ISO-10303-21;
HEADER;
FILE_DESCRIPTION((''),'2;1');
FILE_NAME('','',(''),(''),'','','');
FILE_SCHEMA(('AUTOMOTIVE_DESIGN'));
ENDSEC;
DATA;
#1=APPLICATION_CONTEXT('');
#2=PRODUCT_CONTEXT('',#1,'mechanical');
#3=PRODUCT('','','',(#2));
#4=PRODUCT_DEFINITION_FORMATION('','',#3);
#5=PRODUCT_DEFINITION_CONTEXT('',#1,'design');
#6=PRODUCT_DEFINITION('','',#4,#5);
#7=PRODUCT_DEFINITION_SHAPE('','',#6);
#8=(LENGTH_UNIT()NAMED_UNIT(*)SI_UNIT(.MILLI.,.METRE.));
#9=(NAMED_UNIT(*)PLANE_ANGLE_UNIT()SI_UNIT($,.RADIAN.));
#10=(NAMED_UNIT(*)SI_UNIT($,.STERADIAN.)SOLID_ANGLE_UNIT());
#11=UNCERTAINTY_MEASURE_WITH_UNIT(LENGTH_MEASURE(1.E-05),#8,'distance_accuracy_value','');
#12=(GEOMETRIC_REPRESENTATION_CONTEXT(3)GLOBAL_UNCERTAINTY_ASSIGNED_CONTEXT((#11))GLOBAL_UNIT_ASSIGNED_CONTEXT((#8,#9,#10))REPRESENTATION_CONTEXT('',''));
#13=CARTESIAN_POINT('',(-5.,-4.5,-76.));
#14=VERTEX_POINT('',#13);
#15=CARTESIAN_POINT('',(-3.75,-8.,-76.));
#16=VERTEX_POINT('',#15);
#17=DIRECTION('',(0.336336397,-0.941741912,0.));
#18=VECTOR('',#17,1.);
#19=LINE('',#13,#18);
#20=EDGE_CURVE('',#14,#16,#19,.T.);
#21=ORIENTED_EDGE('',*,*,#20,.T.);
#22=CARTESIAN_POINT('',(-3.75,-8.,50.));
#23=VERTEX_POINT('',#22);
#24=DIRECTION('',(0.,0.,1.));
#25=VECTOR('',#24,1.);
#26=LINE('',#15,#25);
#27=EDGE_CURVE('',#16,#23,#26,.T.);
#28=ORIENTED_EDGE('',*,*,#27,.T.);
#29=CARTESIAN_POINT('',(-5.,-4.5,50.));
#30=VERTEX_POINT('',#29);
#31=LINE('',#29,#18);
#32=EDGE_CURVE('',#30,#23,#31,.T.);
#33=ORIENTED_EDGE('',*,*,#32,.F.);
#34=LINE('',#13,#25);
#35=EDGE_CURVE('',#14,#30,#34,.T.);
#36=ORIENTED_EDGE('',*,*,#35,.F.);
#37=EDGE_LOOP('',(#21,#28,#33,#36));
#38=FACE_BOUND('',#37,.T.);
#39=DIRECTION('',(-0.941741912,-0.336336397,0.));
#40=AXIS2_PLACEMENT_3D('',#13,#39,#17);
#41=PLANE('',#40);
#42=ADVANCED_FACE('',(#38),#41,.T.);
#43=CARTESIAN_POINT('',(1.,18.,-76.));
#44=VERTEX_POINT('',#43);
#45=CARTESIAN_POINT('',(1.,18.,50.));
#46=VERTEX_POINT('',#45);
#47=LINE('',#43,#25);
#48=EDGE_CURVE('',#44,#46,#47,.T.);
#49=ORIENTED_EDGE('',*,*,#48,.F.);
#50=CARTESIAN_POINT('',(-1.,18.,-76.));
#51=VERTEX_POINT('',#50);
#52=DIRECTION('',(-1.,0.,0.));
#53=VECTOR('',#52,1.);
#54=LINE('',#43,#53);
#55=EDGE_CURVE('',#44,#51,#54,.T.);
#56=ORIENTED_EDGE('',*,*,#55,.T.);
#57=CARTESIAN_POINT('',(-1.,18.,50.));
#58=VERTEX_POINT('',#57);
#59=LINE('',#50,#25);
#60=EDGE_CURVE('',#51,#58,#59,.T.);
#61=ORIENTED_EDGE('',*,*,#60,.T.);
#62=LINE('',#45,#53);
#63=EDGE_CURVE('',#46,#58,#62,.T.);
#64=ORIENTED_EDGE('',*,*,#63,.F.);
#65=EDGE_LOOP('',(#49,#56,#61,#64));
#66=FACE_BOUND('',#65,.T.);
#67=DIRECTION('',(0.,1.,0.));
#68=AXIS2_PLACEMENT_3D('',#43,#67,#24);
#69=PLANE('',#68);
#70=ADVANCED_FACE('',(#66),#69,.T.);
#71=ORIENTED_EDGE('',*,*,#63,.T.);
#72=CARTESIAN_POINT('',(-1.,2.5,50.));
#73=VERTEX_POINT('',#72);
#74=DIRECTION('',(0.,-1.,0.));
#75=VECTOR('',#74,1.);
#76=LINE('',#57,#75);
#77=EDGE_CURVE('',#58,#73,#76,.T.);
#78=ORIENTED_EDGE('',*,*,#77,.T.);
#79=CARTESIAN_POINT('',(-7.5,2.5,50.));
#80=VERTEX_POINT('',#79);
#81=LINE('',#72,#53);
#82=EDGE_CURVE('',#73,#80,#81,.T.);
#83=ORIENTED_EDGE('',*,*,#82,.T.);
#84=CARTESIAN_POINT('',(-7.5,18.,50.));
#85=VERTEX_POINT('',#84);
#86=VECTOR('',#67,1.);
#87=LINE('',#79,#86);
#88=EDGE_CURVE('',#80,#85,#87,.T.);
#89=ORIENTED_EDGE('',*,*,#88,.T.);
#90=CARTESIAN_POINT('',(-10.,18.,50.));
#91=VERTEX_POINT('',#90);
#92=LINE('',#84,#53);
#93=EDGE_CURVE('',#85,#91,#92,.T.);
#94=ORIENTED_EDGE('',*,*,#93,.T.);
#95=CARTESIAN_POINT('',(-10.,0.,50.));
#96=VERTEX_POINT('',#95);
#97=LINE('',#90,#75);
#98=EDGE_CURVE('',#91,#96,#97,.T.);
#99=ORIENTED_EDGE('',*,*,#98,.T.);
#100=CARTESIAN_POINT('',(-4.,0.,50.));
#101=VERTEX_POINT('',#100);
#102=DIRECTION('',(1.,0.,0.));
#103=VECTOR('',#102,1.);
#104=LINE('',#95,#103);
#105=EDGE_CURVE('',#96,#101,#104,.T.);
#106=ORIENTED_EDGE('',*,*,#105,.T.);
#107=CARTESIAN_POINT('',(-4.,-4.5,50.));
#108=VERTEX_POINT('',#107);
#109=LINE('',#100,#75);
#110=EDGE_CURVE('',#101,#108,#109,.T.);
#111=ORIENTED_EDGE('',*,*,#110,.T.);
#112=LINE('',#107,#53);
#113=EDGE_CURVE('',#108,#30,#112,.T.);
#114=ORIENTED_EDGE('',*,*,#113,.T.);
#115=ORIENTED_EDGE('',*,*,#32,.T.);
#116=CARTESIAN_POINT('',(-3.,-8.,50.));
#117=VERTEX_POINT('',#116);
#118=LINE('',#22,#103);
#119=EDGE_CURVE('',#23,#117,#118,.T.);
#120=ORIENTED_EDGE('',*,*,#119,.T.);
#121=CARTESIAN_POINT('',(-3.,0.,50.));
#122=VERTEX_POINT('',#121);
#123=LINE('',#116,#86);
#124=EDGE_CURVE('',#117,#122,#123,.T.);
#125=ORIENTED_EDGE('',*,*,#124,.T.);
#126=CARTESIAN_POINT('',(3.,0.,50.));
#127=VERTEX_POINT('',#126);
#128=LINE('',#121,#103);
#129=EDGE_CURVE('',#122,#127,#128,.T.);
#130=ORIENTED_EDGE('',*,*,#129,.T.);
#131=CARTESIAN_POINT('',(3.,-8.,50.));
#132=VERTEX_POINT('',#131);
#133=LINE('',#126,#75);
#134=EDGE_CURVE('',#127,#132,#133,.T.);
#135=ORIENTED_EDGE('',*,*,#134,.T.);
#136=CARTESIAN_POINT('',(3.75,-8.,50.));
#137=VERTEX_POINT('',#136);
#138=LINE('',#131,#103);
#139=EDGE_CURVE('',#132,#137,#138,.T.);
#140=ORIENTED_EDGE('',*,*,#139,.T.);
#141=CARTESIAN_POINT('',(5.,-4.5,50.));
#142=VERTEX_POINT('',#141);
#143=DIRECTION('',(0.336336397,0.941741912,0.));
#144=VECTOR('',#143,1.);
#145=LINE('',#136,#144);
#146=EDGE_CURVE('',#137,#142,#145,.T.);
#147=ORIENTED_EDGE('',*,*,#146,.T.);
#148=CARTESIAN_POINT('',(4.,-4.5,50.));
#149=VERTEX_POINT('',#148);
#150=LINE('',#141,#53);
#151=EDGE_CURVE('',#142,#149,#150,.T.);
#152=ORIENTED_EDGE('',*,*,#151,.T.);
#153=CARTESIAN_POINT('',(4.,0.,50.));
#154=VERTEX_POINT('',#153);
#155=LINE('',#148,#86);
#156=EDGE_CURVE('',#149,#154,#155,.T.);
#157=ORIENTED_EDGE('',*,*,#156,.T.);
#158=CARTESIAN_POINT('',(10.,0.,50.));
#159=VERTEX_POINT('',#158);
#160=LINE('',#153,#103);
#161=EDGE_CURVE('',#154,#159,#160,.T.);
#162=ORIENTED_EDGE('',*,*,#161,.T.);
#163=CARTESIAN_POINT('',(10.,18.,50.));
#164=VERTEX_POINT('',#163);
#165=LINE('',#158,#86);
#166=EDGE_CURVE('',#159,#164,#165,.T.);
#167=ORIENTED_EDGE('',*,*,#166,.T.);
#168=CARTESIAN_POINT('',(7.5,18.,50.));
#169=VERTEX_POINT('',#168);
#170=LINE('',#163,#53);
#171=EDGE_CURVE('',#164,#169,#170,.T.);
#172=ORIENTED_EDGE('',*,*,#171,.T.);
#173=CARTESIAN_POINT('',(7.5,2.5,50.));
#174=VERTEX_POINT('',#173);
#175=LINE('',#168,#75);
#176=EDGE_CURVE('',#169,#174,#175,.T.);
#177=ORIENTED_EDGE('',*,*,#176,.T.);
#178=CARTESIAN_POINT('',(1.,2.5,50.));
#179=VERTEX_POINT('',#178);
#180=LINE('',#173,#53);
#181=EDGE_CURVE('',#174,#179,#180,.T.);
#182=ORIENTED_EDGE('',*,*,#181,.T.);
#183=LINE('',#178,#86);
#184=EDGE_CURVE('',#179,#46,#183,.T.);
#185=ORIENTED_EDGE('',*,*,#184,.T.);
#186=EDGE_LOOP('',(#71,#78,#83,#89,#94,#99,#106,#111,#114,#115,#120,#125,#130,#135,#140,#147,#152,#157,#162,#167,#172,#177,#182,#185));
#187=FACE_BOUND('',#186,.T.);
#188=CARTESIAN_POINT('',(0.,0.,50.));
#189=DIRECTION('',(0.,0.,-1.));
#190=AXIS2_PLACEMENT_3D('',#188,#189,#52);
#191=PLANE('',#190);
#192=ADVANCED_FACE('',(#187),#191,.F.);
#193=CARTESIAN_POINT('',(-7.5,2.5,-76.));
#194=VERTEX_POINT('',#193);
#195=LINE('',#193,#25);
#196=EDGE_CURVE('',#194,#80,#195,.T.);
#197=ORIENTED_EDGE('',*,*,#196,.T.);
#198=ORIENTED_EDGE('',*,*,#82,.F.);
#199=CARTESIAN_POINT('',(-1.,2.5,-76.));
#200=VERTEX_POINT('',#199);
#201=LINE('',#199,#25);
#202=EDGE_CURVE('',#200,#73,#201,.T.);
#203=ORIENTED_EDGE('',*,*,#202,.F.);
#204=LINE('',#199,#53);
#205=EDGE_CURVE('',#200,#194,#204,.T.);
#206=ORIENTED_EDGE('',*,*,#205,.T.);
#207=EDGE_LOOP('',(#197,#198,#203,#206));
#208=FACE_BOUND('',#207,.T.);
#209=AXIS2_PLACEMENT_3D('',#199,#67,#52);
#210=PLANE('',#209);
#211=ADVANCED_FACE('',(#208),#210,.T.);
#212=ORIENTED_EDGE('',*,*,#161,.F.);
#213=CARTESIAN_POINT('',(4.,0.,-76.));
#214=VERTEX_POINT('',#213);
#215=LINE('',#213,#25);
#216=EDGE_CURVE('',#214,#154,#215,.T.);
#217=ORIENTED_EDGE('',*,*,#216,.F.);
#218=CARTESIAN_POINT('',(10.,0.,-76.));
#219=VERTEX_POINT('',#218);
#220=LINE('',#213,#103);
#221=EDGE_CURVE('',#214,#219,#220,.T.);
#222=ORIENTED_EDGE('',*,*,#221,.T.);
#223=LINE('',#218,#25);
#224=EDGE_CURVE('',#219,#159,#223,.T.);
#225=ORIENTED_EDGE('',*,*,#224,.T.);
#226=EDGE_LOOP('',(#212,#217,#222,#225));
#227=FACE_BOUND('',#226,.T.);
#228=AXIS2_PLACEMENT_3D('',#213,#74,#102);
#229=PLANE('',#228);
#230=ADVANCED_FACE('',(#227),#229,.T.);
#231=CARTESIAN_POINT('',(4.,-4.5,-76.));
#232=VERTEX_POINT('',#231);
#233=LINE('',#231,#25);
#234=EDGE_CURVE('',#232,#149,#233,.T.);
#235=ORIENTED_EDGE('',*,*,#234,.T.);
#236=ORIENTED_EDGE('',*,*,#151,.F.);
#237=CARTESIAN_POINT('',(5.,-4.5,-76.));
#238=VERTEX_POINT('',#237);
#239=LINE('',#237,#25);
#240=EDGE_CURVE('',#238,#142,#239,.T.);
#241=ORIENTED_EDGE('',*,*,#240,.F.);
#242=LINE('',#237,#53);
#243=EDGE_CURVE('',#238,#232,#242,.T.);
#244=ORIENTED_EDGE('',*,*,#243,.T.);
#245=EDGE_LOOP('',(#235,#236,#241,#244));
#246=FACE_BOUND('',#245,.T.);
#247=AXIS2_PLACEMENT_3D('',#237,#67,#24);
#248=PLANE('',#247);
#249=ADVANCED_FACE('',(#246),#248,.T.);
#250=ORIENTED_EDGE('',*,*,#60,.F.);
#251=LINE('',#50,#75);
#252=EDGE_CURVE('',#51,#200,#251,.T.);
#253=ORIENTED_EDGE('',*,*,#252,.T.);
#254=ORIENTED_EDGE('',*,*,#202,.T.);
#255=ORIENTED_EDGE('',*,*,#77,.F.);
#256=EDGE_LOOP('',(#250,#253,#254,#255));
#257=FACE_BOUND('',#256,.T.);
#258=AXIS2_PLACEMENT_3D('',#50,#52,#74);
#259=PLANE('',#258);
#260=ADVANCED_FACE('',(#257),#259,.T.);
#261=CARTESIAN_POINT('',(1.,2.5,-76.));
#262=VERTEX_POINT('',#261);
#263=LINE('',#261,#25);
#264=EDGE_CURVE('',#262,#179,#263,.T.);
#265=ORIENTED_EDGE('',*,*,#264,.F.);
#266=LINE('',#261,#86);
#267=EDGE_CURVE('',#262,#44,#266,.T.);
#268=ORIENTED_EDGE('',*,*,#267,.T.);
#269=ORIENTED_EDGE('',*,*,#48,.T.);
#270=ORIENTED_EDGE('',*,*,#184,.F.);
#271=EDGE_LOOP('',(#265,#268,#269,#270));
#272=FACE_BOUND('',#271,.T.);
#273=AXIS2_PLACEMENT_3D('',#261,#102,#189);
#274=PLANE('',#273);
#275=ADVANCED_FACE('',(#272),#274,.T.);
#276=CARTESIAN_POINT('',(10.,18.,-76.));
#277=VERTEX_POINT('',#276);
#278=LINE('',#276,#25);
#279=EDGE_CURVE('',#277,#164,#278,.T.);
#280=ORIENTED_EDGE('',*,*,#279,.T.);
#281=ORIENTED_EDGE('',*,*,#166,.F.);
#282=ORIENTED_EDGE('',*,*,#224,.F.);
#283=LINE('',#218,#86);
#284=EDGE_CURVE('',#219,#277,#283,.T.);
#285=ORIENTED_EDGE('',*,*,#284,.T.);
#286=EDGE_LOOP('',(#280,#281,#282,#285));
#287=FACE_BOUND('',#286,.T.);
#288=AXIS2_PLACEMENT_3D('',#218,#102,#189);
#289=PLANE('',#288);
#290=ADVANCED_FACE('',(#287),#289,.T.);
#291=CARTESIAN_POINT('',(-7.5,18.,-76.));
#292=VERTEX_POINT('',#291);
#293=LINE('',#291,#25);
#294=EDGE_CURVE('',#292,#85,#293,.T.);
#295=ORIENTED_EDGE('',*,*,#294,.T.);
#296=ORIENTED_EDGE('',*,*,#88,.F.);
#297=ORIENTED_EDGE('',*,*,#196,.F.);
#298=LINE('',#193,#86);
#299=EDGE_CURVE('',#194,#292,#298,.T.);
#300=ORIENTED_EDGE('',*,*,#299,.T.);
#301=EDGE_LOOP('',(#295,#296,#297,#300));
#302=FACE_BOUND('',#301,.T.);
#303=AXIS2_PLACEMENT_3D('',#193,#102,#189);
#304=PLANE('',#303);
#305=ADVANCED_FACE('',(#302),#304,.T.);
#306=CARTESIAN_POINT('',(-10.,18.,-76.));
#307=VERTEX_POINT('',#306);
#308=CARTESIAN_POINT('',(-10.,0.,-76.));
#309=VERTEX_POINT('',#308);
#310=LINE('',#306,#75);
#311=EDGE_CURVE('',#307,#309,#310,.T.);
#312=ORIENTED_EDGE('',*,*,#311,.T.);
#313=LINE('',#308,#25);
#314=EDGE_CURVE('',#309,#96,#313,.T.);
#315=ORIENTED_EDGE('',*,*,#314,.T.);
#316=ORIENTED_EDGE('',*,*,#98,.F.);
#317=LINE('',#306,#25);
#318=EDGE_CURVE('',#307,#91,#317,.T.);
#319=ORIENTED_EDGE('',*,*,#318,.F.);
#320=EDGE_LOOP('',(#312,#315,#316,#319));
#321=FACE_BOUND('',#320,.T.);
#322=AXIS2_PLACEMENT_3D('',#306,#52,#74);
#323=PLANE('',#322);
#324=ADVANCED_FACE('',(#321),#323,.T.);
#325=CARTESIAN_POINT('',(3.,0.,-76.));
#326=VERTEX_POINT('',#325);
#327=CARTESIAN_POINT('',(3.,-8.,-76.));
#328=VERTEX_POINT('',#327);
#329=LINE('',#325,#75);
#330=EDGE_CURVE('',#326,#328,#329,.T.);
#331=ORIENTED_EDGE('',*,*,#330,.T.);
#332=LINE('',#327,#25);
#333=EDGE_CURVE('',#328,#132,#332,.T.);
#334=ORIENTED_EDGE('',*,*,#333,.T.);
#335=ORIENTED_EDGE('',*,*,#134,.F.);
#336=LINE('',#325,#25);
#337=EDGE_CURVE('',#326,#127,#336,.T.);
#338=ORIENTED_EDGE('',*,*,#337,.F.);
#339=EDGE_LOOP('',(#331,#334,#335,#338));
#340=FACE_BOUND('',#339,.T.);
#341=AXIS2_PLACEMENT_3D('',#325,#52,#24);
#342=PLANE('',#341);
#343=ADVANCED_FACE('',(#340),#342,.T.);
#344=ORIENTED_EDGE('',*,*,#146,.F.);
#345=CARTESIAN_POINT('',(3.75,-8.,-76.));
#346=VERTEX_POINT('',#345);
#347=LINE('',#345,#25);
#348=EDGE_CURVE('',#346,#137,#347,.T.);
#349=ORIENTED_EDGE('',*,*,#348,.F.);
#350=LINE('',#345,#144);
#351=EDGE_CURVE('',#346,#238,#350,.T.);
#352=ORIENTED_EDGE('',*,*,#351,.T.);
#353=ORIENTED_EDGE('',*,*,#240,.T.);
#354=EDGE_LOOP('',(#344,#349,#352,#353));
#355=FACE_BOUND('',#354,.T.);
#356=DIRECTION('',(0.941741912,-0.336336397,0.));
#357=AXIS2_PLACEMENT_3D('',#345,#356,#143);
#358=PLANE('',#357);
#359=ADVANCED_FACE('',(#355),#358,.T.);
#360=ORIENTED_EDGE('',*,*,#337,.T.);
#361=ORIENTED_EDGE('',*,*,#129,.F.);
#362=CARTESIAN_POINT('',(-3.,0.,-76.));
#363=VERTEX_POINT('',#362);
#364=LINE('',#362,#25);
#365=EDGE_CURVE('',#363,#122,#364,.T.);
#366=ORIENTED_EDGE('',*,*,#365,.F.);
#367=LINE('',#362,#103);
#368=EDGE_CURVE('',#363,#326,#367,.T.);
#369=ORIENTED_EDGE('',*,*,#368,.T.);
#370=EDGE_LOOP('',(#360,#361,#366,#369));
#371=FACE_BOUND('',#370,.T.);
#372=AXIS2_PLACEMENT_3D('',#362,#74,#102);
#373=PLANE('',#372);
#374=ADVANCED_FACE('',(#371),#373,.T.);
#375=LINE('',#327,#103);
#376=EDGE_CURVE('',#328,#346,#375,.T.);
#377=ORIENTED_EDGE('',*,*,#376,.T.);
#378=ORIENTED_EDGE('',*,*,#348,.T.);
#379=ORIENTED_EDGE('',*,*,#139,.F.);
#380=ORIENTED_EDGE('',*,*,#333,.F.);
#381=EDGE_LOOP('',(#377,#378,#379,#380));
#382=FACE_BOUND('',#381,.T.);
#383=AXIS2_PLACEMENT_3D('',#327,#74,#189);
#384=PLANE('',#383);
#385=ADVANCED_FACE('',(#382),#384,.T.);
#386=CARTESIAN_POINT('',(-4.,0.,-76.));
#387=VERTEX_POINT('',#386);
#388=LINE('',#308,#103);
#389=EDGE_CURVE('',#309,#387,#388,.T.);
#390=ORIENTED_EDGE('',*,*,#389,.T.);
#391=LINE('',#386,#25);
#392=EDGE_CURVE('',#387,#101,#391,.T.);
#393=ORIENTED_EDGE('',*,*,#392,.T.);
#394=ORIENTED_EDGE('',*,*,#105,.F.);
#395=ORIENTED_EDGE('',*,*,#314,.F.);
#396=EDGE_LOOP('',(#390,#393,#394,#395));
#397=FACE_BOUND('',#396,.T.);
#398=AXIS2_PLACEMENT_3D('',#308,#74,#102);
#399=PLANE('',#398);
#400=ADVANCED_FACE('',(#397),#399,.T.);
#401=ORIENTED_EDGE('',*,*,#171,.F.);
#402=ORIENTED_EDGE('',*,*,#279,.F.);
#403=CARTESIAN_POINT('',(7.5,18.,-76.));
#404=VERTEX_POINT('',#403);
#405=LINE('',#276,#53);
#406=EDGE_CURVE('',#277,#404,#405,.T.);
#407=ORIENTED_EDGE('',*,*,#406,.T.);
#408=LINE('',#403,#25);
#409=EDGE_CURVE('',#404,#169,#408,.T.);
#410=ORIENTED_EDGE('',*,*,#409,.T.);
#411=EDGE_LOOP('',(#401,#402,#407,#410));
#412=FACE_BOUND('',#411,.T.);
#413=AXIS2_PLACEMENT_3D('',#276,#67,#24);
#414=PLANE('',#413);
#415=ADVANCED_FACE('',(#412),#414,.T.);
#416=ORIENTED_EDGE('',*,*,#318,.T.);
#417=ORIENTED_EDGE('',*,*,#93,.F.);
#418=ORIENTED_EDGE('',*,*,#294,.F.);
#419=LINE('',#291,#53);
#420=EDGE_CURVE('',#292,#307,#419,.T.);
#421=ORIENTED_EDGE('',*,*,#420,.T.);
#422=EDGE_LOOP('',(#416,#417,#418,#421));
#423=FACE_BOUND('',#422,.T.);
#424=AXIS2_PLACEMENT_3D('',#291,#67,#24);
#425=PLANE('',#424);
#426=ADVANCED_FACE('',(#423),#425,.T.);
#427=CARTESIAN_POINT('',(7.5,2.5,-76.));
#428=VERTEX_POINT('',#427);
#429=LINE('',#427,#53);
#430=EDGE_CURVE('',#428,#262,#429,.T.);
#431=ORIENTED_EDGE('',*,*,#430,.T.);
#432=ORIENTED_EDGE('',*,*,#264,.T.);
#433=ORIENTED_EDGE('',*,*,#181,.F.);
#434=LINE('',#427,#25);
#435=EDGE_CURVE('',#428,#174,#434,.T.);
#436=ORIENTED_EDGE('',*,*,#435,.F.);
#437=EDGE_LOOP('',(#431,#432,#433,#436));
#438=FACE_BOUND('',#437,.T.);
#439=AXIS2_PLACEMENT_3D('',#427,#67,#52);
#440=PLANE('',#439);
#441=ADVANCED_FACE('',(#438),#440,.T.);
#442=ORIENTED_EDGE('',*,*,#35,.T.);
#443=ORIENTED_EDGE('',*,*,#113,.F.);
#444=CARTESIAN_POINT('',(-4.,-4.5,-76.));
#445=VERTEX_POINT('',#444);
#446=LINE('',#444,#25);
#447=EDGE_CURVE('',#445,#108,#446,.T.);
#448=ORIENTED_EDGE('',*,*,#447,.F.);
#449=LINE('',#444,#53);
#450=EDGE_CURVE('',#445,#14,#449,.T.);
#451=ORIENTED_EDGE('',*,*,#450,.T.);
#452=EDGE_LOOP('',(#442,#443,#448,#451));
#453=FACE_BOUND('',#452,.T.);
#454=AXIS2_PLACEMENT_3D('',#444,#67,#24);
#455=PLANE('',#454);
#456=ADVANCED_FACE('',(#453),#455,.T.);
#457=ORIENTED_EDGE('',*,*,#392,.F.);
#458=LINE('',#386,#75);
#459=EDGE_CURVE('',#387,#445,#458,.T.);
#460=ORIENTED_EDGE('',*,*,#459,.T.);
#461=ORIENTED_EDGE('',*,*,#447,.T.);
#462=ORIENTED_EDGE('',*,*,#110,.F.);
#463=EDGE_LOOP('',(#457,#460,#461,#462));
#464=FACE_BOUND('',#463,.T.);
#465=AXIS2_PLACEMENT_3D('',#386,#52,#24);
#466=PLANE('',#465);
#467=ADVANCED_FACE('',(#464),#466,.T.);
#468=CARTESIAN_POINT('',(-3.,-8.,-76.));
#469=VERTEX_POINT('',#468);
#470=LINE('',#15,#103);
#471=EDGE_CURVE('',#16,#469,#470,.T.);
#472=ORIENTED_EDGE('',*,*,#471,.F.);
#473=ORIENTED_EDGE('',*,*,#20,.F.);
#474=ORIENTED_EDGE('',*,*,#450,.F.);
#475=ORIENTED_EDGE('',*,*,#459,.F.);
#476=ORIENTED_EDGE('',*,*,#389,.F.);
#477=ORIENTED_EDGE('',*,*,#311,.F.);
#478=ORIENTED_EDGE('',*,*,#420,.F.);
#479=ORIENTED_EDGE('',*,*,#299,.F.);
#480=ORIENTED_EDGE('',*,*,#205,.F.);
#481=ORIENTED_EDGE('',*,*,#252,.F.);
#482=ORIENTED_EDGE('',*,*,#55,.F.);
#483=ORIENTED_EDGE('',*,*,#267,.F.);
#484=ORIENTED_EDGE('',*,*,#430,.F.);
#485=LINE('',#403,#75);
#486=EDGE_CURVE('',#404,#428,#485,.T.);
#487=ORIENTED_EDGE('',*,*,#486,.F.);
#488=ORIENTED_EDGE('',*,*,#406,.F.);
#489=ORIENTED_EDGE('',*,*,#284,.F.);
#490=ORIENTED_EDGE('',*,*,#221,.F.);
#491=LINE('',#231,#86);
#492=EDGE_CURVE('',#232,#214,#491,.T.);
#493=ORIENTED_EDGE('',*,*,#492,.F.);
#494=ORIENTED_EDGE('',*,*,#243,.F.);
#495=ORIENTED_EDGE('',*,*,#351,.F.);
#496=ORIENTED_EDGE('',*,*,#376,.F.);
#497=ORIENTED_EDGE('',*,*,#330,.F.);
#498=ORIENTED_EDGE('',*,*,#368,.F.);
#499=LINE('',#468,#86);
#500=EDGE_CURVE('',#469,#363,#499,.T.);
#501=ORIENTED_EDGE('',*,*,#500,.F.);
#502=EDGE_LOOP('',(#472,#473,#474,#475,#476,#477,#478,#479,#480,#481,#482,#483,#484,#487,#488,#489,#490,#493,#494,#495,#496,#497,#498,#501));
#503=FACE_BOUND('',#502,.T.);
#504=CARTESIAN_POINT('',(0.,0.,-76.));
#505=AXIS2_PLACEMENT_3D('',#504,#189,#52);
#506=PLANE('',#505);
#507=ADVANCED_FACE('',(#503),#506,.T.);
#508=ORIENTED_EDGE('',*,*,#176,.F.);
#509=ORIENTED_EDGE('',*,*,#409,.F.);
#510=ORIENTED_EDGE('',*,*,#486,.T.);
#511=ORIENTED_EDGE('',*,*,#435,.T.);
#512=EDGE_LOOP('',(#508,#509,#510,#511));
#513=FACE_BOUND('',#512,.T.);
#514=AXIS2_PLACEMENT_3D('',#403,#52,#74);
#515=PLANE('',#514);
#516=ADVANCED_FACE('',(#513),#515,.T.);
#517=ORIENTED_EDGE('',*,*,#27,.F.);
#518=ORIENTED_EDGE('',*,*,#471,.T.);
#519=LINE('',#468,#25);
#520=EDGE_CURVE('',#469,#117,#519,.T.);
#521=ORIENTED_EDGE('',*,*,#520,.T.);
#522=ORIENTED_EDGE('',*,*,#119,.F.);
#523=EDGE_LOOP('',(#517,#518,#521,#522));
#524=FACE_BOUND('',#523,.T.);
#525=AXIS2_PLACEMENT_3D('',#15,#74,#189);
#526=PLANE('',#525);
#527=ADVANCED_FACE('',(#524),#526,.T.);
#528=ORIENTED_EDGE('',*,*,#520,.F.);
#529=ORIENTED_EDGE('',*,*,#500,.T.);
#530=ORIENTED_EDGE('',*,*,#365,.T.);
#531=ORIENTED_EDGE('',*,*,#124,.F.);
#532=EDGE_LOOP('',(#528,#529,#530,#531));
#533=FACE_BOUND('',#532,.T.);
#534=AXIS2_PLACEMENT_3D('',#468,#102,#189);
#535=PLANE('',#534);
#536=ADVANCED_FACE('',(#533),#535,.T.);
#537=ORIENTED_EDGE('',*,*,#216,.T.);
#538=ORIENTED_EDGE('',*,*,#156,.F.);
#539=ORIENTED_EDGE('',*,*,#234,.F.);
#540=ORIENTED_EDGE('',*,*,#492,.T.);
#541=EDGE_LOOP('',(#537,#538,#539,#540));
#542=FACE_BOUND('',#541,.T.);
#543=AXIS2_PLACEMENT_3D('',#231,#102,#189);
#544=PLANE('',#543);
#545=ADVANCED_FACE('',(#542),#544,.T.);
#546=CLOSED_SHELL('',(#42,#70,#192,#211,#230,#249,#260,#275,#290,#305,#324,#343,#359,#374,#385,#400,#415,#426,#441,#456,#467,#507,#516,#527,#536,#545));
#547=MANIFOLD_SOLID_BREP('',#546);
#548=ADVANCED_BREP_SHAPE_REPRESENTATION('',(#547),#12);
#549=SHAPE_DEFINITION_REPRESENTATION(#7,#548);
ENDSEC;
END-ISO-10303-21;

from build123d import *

# Parameters (mm, degrees)
BOSS_EXTRU_1_DEPTH = 126


with BuildPart() as part:
    # Esquisse1 → Boss.-Extru.1 (new body)
    with BuildSketch(Plane.XY.offset(50)):
        Polygon((-1, 2.5), (-7.5, 2.5), (-7.5, 17.999999998), (-10, 17.999999998), (-10, 0), (-4, 0), (-4, -4.5), (-5, -4.5), (-3.75, -8), (-3, -8), (-3, 0), (3, 0), (3, -8), (3.75, -8), (5, -4.5), (4, -4.5), (4, 0), (10, 0), (10, 17.999999998), (7.5, 17.999999998), (7.5, 2.5), (1, 2.5), (1, 17.999999998), (-1, 17.999999998), align=None)
    extrude(amount=-BOSS_EXTRU_1_DEPTH)


solid = part.part
